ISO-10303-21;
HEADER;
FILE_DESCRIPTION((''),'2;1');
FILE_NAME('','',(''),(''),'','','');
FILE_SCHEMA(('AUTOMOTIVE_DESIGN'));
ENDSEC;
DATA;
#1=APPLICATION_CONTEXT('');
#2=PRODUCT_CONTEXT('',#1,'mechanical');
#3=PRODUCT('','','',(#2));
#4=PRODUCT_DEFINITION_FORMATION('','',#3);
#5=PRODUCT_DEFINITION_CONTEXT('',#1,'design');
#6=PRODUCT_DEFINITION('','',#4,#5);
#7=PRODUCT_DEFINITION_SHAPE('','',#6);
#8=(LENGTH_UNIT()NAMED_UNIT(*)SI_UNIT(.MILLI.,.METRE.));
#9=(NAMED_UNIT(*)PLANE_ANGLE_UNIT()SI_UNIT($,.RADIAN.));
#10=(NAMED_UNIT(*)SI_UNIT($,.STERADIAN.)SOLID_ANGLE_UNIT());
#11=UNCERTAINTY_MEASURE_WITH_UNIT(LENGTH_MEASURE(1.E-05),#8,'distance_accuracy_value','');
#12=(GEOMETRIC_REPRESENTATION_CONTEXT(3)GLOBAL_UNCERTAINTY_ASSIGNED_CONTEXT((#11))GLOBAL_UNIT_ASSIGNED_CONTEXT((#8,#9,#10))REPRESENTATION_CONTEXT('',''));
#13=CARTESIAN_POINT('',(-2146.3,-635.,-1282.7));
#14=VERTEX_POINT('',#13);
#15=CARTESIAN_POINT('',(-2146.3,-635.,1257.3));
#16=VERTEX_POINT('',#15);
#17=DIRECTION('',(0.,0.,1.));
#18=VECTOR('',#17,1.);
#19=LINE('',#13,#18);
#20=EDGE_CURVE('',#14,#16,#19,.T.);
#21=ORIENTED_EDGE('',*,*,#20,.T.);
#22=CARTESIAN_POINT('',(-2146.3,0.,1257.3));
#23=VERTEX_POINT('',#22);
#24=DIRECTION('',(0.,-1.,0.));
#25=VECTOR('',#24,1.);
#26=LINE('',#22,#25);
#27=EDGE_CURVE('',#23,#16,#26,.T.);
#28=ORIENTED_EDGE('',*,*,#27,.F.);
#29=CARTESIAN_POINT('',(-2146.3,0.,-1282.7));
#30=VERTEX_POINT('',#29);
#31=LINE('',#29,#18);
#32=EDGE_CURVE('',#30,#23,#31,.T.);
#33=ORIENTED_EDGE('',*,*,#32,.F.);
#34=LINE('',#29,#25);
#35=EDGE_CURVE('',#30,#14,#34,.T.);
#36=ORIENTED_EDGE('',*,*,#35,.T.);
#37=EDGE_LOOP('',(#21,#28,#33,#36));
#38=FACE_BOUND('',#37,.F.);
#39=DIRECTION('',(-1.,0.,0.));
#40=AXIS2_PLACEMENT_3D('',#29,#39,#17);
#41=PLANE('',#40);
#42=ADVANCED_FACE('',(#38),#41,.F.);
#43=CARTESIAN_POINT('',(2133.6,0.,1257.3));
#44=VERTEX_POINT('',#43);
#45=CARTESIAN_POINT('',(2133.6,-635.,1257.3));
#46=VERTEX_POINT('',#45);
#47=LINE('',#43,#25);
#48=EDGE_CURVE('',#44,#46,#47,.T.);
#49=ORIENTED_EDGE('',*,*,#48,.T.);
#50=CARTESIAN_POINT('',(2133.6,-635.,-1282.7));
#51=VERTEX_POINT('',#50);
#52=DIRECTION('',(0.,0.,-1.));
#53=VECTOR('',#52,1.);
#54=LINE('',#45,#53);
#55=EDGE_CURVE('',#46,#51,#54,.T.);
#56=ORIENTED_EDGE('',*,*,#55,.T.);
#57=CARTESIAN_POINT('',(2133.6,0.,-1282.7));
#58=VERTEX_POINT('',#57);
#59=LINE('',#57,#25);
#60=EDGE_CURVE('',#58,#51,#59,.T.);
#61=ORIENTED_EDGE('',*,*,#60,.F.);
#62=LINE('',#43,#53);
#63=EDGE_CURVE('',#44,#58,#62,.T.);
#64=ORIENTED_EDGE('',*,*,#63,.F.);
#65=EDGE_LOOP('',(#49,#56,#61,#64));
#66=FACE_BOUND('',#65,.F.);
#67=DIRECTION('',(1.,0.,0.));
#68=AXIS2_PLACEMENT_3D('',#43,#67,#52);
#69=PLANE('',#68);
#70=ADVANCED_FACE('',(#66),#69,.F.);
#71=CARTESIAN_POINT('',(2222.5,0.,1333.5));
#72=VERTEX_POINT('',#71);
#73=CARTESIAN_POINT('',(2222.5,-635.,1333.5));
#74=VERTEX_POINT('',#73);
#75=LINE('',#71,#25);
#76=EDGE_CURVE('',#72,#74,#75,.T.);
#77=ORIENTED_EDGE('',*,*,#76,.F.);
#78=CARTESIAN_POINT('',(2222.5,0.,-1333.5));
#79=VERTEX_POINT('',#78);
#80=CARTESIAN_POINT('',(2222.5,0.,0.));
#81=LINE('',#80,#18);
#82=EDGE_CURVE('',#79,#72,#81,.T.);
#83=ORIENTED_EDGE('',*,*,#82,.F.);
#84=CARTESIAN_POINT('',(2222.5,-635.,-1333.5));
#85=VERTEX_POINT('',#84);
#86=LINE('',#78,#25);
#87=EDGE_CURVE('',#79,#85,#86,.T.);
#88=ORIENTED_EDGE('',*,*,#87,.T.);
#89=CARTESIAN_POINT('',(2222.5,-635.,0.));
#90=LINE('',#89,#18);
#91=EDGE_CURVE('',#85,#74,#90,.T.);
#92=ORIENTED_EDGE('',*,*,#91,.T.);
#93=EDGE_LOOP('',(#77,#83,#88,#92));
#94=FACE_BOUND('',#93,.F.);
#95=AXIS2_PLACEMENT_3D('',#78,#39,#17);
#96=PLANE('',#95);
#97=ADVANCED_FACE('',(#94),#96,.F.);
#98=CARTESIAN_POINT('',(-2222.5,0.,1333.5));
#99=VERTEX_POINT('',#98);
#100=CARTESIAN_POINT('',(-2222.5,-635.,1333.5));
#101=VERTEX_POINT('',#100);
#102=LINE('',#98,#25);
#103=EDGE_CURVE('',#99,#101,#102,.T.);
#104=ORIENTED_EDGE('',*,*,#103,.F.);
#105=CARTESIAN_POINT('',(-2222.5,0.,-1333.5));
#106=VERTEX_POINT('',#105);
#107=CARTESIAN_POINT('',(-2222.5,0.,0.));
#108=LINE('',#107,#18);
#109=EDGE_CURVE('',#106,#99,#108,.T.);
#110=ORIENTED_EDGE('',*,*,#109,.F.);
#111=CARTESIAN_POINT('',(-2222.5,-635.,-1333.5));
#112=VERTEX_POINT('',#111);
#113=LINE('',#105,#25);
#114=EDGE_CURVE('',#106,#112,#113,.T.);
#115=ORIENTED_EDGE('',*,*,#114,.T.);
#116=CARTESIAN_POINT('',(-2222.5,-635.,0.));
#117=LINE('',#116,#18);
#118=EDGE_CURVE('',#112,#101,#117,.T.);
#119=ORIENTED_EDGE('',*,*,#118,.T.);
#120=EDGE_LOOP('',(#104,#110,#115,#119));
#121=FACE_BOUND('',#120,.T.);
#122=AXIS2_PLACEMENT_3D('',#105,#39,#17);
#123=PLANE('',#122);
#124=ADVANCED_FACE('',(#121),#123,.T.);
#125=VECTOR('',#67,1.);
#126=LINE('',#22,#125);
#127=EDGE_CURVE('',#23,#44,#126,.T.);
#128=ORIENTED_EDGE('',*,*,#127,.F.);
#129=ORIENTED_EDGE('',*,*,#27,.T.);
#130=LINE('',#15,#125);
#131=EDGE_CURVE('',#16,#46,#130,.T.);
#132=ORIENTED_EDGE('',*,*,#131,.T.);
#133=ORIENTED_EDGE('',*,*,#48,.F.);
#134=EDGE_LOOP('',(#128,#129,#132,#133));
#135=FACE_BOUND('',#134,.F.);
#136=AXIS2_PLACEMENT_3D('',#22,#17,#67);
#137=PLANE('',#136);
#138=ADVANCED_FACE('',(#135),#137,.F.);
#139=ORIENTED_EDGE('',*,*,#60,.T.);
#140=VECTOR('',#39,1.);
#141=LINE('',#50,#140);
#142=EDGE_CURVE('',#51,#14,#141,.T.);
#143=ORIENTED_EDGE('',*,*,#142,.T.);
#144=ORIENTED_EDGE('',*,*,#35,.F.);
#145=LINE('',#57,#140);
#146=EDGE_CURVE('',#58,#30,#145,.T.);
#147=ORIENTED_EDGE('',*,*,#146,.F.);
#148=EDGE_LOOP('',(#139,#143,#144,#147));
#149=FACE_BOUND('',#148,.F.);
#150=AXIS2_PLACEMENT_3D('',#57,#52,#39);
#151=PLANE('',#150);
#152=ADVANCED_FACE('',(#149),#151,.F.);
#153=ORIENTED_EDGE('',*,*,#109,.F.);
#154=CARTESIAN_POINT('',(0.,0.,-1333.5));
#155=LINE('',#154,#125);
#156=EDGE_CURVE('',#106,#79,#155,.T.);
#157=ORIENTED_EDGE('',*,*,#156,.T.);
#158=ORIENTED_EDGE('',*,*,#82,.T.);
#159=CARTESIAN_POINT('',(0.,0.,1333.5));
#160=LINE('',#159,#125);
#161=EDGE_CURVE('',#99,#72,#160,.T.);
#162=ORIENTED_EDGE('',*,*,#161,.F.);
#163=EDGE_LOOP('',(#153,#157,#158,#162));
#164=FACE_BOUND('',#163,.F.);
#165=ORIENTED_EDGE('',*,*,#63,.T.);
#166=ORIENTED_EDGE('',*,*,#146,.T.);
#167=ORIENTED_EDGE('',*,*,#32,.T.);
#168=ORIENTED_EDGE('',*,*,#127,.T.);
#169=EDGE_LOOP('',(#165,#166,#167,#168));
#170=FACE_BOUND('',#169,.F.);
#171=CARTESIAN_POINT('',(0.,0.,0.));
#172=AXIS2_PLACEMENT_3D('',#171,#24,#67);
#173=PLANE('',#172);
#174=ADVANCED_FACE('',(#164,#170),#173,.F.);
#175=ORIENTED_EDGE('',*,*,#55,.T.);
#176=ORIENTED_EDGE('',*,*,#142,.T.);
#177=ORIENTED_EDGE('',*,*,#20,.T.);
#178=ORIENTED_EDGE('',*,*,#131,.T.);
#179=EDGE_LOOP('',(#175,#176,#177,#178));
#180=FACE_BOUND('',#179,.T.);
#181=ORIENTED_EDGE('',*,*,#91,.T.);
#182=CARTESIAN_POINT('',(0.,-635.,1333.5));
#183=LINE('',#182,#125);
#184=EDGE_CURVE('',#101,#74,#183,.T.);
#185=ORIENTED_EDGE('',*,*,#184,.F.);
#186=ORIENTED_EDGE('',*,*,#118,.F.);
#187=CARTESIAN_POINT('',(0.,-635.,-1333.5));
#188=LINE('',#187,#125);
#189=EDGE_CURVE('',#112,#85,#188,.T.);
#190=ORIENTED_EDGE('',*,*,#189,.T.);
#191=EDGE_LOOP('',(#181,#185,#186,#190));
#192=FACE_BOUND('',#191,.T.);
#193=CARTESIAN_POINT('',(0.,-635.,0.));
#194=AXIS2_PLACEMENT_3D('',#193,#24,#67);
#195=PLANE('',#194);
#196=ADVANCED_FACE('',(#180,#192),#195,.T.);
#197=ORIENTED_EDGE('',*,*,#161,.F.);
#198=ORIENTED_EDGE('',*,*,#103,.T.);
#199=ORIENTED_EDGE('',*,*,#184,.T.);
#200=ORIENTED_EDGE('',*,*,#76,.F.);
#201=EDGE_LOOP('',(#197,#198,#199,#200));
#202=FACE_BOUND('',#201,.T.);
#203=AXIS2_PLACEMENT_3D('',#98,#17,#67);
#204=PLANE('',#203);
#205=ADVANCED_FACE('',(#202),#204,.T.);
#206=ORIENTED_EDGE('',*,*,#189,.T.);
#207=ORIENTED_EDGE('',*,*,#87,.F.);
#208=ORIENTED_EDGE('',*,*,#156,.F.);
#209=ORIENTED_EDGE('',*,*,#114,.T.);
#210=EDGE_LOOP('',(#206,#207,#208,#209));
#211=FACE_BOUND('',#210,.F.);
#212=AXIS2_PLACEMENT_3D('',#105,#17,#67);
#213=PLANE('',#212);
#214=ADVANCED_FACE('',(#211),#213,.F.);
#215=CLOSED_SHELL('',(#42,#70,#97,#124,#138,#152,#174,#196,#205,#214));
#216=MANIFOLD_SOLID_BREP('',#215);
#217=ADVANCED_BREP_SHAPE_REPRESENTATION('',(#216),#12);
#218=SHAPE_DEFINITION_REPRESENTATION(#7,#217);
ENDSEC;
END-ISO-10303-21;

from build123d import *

# Parameters (mm, degrees)
F0_W     = 4445
F0_H     = 2667
F1_DEPTH = 635


with BuildPart() as f1:
    # F0 (on Front) → F1 (new body)
    with BuildSketch(Plane.XZ):
        Rectangle(F0_W, F0_H)
        Polygon((-1892.3, 1257.3), (596.9, 1257.3), (2006.6, 1257.3), (2133.6, 1257.3), (2133.6, -1282.7), (-2146.3, -1282.7), (-2146.3, 1257.3), align=None, mode=Mode.SUBTRACT)
    extrude(amount=F1_DEPTH)


solid = f1.part
